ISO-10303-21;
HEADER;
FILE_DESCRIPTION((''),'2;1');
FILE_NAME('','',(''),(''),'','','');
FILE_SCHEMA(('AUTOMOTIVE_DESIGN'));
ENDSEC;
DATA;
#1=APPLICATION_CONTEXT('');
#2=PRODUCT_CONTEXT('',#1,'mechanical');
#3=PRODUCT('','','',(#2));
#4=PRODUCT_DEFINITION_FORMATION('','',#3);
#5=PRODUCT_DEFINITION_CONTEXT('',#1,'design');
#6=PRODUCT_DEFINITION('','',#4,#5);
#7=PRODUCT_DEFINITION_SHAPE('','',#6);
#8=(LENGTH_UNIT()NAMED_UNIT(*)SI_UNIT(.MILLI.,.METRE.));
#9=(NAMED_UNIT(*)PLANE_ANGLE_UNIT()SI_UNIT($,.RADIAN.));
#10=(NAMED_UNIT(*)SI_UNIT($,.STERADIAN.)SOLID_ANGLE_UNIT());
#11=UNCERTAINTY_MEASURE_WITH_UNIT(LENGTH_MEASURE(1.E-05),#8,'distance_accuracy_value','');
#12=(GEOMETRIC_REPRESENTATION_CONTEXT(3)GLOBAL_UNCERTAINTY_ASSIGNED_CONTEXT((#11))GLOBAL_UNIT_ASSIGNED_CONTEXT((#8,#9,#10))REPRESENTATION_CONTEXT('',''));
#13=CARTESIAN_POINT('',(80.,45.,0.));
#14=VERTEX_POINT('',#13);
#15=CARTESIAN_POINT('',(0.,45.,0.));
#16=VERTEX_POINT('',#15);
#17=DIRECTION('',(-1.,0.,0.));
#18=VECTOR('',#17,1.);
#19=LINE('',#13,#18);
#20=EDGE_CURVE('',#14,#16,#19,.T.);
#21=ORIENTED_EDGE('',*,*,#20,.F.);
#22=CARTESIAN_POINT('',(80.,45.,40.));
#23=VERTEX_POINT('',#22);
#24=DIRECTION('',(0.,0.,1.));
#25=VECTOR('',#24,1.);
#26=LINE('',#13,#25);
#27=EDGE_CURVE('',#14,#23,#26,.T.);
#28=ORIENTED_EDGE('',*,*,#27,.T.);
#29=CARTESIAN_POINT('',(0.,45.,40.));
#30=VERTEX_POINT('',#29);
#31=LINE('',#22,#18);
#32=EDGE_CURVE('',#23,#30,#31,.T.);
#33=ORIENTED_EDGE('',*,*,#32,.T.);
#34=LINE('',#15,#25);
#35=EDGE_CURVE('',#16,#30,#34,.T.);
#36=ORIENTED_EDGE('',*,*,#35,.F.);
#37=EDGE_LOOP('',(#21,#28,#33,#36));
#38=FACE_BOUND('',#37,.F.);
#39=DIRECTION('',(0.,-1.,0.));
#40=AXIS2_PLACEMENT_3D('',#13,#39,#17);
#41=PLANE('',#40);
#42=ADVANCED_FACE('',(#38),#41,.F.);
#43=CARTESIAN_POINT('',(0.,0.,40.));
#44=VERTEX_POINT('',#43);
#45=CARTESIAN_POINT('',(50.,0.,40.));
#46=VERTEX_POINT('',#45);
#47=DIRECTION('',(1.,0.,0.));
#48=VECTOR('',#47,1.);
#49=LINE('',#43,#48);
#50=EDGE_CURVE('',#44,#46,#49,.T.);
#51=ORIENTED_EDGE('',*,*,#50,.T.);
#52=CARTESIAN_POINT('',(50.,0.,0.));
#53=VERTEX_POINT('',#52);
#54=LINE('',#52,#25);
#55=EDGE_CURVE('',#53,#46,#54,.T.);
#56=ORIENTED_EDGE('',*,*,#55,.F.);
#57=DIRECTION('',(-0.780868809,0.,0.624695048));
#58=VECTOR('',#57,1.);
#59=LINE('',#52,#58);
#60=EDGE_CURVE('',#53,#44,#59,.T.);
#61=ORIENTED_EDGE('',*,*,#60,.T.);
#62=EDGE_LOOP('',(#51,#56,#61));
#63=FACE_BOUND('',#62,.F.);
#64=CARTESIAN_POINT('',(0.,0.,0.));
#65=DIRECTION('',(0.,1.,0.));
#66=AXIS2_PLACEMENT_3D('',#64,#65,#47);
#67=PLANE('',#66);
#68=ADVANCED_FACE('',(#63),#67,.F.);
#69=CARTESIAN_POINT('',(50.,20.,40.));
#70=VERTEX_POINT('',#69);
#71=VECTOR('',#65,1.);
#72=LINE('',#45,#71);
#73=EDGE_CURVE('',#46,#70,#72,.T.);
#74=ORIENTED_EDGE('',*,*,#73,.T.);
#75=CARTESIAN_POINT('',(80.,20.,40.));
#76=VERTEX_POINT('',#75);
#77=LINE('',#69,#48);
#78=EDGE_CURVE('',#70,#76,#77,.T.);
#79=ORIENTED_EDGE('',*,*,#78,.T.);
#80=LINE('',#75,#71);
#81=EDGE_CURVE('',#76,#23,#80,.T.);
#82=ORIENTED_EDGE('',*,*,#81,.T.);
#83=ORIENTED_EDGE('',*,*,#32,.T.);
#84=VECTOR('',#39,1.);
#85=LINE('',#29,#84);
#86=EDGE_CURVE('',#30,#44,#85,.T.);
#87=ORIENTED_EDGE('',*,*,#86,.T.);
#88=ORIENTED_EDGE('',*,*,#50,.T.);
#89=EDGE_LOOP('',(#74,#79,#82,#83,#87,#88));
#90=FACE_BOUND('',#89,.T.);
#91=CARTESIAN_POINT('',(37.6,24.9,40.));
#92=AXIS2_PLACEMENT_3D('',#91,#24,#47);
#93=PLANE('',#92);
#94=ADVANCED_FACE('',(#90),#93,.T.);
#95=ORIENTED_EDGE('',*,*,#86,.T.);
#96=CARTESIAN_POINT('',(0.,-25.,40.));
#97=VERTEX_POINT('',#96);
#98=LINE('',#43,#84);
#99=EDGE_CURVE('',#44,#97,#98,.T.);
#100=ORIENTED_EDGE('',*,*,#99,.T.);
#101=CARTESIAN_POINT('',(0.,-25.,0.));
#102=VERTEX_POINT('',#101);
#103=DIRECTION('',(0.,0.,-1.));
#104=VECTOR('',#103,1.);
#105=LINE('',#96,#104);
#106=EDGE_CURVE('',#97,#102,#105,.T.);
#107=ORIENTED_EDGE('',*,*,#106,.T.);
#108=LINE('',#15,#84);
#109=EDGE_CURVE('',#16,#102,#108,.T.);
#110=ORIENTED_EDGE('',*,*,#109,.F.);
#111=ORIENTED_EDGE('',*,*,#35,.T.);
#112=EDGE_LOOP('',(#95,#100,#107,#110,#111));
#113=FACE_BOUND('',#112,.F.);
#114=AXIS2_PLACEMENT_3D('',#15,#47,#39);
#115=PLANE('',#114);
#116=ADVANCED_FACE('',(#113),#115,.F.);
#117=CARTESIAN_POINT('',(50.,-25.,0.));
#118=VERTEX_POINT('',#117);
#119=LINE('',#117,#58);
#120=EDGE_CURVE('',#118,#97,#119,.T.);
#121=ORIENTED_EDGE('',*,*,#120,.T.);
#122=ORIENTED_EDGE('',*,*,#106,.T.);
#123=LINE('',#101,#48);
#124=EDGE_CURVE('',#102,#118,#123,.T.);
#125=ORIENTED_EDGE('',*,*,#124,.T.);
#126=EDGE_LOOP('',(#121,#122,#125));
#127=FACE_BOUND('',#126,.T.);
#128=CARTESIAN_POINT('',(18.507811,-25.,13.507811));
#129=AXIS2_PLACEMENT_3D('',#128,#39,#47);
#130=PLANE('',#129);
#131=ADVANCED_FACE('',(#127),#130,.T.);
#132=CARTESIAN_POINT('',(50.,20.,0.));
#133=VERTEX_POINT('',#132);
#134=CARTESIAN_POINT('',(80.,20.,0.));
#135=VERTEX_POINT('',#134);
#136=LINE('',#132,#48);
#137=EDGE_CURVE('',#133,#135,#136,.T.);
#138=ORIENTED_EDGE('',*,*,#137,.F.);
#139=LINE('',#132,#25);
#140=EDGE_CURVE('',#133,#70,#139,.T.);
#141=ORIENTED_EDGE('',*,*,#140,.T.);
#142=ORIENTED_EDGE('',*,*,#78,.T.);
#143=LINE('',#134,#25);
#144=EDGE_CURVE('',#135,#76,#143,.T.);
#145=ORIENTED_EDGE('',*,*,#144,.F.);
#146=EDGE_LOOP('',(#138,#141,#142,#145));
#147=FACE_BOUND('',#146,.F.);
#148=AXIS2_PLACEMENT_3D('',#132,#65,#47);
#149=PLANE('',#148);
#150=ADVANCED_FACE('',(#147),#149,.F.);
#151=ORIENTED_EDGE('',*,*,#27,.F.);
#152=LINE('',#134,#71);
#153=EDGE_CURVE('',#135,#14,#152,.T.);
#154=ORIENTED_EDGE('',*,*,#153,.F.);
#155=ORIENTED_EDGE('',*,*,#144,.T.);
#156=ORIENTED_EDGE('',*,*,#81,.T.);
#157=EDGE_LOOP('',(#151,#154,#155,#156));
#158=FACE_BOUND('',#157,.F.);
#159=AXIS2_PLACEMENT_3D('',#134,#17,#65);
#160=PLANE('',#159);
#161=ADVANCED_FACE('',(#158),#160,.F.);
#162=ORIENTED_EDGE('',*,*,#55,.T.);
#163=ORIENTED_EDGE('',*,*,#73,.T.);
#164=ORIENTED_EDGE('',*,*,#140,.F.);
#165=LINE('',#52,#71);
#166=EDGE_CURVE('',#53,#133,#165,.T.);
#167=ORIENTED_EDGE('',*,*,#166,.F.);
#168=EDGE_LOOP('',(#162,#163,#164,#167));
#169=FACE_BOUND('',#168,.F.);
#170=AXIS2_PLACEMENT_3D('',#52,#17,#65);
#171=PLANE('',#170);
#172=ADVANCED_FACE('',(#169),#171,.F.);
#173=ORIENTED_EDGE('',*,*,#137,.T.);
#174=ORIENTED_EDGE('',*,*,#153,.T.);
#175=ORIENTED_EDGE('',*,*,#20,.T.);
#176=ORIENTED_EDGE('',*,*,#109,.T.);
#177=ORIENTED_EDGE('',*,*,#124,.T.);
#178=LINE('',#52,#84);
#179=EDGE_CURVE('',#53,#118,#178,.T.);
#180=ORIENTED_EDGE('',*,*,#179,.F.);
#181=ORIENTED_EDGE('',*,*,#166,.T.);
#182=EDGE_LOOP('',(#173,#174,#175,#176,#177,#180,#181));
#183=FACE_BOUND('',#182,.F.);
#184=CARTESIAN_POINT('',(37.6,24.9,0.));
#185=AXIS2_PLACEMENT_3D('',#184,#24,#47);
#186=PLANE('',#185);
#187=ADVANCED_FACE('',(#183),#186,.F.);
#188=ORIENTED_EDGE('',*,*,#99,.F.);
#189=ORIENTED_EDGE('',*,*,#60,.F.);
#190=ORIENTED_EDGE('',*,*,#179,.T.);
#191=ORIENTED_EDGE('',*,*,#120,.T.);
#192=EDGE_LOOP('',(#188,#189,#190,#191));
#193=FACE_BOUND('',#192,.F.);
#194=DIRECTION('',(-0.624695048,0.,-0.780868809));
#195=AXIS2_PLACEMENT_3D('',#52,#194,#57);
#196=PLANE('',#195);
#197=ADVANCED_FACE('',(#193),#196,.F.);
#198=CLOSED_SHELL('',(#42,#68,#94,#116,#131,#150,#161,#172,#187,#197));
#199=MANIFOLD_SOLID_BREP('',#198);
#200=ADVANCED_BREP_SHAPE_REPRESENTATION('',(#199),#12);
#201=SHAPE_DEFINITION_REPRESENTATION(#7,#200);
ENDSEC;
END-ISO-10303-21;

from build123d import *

# Parameters (mm, degrees)
F1_DEPTH = 25
F3_DEPTH = 40


with BuildPart() as f1:
    # F0 (on Front) → F1 (new body)
    with BuildSketch(Plane.XZ):
        Polygon((0, 40), (0, 0), (50, 0), align=None)
    extrude(amount=F1_DEPTH)

    # F2 (on Top) → F3 (join)
    with BuildSketch(Plane.XY):
        Polygon((0, 45), (0, 0), (50, 0), (50, 20), (80, 20), (80, 45), align=None)
    extrude(amount=F3_DEPTH)


solid = f1.part
